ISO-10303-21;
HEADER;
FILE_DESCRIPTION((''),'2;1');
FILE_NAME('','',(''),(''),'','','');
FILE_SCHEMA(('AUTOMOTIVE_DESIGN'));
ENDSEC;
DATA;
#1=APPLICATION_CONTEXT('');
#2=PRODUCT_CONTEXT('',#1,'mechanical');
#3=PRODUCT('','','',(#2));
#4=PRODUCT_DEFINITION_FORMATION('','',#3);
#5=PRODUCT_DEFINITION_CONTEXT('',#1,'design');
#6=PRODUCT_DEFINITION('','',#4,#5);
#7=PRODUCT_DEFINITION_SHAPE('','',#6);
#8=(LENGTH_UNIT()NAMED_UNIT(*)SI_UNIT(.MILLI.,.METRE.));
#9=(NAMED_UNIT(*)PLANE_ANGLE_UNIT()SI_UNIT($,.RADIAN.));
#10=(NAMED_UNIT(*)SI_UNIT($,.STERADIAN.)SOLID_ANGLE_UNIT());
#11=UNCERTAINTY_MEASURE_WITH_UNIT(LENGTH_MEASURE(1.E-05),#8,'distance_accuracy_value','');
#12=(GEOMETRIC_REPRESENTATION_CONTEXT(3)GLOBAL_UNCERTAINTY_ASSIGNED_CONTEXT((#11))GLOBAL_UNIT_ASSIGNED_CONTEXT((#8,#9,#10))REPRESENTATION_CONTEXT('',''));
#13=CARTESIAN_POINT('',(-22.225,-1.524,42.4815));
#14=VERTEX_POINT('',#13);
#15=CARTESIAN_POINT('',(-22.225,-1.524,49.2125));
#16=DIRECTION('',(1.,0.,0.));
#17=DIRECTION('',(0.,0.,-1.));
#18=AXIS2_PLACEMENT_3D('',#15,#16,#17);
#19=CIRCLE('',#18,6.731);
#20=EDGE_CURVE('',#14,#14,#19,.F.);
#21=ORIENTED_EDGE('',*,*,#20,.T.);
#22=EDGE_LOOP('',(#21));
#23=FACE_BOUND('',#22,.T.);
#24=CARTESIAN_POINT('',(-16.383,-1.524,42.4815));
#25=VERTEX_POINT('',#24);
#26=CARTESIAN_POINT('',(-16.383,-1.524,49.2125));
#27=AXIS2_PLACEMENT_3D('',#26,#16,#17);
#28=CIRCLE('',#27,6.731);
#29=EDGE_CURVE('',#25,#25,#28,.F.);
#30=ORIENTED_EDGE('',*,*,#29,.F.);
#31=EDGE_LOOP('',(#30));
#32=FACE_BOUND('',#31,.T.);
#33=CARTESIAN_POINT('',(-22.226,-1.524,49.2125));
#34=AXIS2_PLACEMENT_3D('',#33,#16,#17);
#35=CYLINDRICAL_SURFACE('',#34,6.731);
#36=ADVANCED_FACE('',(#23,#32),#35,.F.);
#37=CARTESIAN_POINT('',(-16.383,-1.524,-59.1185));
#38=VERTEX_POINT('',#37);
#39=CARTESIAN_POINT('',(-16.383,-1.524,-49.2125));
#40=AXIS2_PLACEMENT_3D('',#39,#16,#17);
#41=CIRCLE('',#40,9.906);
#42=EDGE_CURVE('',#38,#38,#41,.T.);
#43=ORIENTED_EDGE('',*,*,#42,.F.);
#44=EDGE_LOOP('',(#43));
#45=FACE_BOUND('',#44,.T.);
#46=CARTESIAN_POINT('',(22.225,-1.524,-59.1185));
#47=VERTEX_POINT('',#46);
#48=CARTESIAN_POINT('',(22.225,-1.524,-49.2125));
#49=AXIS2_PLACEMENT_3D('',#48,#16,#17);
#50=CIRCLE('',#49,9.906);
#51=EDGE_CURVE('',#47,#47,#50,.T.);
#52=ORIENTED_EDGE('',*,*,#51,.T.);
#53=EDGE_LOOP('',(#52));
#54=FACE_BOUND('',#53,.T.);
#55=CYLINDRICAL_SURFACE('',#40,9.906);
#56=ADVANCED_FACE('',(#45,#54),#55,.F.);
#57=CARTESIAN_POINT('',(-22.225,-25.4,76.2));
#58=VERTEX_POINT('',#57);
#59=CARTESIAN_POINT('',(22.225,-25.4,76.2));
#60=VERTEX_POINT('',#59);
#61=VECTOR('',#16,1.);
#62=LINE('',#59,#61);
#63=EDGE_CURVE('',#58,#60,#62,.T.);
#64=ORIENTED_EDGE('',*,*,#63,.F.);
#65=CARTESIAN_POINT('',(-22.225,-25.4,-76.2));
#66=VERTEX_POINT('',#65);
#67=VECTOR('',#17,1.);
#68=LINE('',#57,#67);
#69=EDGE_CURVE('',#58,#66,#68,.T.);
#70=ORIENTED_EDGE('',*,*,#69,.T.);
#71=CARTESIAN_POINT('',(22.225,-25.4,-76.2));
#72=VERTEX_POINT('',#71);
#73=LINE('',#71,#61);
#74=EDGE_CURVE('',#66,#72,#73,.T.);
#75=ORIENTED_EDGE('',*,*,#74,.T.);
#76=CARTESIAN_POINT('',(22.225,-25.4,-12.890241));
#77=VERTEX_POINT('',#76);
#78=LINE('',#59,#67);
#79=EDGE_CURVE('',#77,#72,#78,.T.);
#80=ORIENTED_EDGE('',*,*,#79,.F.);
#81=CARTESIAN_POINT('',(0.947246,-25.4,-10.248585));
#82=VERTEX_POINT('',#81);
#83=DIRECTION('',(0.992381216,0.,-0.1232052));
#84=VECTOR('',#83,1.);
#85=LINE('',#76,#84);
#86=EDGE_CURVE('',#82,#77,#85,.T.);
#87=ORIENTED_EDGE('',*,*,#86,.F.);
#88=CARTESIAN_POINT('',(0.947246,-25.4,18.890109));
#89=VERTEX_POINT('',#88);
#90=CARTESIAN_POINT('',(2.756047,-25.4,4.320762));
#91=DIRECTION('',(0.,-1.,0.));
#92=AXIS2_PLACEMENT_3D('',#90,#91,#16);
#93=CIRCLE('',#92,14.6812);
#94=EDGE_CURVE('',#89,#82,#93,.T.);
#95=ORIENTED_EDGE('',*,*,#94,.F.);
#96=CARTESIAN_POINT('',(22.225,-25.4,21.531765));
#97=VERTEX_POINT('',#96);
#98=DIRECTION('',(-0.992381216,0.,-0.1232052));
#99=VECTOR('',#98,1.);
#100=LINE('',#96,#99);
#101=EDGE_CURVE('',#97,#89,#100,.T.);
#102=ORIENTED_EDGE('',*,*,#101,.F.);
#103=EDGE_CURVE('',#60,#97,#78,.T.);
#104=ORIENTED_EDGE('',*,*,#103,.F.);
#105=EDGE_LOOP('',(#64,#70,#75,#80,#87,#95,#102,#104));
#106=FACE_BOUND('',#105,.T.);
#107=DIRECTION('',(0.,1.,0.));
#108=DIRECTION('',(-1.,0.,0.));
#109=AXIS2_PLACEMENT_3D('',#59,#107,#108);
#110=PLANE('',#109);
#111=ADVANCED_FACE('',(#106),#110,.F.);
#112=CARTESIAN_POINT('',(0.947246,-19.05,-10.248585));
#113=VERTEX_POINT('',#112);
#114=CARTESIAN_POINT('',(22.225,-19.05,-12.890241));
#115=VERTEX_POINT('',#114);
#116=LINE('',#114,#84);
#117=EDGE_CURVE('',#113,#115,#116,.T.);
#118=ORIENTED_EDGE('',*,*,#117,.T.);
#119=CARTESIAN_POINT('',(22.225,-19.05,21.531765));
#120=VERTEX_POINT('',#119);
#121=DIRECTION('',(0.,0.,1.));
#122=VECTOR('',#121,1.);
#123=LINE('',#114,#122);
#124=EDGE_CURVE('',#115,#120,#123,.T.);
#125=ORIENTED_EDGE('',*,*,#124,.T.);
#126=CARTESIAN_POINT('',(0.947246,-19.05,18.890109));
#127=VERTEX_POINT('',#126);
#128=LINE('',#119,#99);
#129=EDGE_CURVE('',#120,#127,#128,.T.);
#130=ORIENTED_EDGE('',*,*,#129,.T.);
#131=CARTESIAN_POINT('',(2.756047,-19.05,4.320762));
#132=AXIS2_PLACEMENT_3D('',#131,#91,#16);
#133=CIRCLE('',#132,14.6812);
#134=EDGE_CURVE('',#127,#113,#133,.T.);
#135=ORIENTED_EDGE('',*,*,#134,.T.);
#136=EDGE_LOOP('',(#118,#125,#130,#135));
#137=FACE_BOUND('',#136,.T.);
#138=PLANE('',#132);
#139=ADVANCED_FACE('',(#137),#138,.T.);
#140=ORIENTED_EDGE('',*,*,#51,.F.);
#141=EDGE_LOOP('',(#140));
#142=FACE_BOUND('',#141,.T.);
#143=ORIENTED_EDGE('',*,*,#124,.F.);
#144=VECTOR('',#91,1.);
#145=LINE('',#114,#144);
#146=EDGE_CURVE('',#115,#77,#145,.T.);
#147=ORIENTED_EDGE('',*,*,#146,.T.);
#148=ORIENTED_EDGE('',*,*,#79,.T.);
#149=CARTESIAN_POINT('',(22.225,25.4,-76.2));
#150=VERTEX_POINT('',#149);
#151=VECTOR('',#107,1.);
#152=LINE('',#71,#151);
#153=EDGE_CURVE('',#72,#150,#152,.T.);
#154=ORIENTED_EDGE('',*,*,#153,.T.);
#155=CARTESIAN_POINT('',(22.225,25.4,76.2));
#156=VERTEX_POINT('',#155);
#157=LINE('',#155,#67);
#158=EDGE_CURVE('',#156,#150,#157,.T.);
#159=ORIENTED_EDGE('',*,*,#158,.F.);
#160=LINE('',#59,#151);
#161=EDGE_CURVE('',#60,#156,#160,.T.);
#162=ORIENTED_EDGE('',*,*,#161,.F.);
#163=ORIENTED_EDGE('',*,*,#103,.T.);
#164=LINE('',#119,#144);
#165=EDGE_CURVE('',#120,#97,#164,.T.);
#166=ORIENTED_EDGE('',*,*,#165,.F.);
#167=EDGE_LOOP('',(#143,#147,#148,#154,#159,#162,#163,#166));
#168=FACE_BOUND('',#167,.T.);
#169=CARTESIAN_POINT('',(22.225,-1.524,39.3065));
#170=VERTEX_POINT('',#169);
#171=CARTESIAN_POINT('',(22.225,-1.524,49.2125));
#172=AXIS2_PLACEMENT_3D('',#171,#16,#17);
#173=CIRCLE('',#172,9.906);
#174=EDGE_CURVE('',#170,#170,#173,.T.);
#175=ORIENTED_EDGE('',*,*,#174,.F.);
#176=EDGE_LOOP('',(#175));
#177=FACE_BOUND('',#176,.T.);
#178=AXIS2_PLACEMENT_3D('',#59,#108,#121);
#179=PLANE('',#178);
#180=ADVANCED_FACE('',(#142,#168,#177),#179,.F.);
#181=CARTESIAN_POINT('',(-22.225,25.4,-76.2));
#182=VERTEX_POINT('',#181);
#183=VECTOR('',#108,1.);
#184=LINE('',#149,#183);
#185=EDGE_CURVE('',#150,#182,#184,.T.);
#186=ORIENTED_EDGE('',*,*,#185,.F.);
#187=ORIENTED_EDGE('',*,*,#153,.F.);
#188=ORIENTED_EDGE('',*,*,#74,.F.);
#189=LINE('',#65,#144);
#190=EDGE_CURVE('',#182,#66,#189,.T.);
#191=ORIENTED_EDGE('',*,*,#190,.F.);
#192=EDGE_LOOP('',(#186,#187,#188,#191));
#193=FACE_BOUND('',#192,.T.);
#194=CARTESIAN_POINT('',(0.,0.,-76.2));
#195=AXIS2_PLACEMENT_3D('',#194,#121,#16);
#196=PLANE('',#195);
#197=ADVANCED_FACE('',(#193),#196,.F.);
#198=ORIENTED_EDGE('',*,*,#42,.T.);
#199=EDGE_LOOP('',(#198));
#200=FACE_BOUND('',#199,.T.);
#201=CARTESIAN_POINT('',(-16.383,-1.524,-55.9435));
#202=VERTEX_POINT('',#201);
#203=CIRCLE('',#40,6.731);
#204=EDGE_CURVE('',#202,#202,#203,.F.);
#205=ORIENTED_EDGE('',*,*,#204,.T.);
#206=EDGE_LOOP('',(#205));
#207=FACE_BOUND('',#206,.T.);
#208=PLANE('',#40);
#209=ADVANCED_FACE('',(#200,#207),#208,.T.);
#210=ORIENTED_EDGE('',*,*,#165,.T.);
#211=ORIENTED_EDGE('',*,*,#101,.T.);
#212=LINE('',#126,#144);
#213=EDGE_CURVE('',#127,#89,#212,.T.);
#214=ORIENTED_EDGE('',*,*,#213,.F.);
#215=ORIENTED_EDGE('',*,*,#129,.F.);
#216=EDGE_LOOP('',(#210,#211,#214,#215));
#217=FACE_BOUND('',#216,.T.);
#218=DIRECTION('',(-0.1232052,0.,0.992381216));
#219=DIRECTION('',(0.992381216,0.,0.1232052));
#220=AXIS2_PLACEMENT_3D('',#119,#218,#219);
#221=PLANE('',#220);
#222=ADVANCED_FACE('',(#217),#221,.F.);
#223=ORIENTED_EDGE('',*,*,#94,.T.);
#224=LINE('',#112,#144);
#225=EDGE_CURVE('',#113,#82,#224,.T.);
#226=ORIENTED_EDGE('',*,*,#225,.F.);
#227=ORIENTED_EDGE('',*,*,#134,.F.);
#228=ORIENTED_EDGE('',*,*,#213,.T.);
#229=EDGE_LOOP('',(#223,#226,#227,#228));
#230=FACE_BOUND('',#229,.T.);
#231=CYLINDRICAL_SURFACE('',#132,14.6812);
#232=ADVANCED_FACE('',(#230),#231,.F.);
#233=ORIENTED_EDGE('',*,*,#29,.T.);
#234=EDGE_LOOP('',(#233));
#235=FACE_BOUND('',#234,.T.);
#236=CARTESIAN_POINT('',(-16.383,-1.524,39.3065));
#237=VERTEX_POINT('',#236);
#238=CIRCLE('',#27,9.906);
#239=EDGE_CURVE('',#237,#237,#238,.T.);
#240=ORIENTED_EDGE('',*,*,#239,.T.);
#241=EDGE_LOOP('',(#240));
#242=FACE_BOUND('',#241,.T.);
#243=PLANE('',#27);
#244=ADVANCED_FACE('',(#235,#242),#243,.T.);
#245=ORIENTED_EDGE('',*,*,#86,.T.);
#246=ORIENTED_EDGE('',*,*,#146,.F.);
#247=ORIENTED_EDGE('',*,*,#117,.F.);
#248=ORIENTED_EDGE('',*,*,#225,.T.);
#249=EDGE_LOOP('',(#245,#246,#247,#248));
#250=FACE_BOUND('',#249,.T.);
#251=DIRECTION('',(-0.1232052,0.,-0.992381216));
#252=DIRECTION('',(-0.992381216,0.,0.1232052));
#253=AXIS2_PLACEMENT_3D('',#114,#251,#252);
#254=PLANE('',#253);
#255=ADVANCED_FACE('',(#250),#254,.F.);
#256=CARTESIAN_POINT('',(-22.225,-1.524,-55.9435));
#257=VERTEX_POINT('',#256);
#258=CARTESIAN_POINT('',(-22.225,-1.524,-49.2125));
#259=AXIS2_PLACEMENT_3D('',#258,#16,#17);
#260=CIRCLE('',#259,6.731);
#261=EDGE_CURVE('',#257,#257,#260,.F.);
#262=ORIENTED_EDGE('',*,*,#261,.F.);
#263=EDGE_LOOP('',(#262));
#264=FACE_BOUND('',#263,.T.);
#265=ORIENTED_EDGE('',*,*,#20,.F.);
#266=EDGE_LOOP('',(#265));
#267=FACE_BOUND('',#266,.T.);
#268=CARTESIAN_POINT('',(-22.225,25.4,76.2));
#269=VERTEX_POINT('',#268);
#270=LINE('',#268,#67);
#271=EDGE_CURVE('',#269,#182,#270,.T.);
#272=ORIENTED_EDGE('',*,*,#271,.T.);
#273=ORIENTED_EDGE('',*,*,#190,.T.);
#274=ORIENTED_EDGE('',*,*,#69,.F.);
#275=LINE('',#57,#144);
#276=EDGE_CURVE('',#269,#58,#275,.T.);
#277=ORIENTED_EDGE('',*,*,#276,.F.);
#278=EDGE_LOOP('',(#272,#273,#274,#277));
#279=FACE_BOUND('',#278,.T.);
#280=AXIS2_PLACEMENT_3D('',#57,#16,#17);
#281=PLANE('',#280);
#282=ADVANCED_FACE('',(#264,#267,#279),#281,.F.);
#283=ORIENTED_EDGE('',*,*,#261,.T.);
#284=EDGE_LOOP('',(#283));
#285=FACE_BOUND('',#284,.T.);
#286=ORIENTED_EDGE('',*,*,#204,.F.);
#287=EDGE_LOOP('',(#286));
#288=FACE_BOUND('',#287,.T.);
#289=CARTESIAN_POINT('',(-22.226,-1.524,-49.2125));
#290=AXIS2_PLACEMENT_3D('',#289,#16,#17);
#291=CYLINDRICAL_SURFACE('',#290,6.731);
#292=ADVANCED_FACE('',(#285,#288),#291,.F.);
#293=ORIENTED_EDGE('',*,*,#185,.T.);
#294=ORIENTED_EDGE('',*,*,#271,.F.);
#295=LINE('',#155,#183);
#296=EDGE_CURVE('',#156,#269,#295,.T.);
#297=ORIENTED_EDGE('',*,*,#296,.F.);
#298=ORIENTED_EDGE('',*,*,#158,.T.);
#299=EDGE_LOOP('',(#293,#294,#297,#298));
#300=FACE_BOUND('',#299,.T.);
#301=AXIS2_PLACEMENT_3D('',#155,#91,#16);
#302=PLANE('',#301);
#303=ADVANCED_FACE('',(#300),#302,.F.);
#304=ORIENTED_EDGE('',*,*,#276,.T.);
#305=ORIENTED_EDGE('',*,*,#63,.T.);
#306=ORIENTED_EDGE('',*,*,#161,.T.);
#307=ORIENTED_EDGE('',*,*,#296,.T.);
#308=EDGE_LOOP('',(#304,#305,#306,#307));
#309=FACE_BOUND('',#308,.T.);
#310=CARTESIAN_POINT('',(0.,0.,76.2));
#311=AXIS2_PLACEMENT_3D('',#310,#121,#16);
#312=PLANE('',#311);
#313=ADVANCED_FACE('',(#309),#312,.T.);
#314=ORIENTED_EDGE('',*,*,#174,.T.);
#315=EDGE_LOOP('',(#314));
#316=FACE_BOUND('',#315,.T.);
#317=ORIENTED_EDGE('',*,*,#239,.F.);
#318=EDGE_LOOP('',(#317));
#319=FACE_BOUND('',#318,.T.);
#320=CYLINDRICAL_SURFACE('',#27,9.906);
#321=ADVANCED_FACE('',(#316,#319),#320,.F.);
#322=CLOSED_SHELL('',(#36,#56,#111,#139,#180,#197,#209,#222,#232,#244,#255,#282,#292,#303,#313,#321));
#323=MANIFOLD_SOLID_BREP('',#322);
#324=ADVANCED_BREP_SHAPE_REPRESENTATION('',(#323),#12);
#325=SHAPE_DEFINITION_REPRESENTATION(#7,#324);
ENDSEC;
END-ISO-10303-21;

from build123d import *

# Parameters (mm, degrees)
SKETCH1_W           = 44.45
SKETCH1_H           = 50.8
BOSS_EXTRUDE1_DEPTH = 76.2
CUT_EXTRUDE1_REACH  = 93.801
SKETCH2_R           = 6.731
SKETCH3_R           = 9.906
CUT_EXTRUDE2_DEPTH  = 38.608
CUT_EXTRUDE3_DEPTH  = 6.35


with BuildPart() as part:
    # Sketch1 → Boss-Extrude1 (new, symmetric)
    with BuildSketch(Plane.XY):
        Rectangle(SKETCH1_W, SKETCH1_H)
    extrude(amount=BOSS_EXTRUDE1_DEPTH, both=True)

    # Sketch2 → Cut-Extrude1 (cut, up to next)
    with BuildSketch(Plane(origin=(22.225, 0, 0), x_dir=(0, 0, -1), z_dir=(1, 0, 0)), mode=Mode.PRIVATE) as cut_extrude1_sk1:
        with Locations((-49.2125, -1.524)):
            Circle(SKETCH2_R)
    cut_extrude1_tool1 = extrude(cut_extrude1_sk1.sketch, amount=-CUT_EXTRUDE1_REACH, mode=Mode.PRIVATE) & part.part
    # Sketch2 → Cut-Extrude1 (cut, up to next)
    with BuildSketch(Plane(origin=(22.225, 0, 0), x_dir=(0, 0, -1), z_dir=(1, 0, 0)), mode=Mode.PRIVATE) as cut_extrude1_sk2:
        with Locations((49.2125, -1.524)):
            Circle(SKETCH2_R)
    cut_extrude1_tool2 = extrude(cut_extrude1_sk2.sketch, amount=-CUT_EXTRUDE1_REACH, mode=Mode.PRIVATE) & part.part
    add(cut_extrude1_tool1.solids().sort_by_distance((22.225, -1.524, 49.2125))[0], mode=Mode.SUBTRACT)
    add(cut_extrude1_tool2.solids().sort_by_distance((22.225, -1.524, -49.2125))[0], mode=Mode.SUBTRACT)

    # Sketch3 → Cut-Extrude2 (cut)
    with BuildSketch(Plane(origin=(22.225, 0, 0), x_dir=(0, 0, -1), z_dir=(1, 0, 0))):
        with Locations((-49.2125, -1.524)):
            Circle(SKETCH3_R)
        with Locations((49.2125, -1.524)):
            Circle(SKETCH3_R)
    extrude(amount=-CUT_EXTRUDE2_DEPTH, mode=Mode.SUBTRACT)

    # Sketch4 → Cut-Extrude3 (cut)
    with BuildSketch(Plane.XZ.offset(25.4)):
        with BuildLine():
            Line((22.225, -12.890241244), (22.225, 21.531765175))
            Line((22.225, 21.531765175), (0.947246364, 18.89010908))
            ThreePointArc((0.947246364, 18.89010908), (-11.925153457, 4.320761965), (0.947246364, -10.248585149))
            Line((0.947246364, -10.248585149), (22.225, -12.890241244))
        make_face()
    extrude(amount=-CUT_EXTRUDE3_DEPTH, mode=Mode.SUBTRACT)


solid = part.part
